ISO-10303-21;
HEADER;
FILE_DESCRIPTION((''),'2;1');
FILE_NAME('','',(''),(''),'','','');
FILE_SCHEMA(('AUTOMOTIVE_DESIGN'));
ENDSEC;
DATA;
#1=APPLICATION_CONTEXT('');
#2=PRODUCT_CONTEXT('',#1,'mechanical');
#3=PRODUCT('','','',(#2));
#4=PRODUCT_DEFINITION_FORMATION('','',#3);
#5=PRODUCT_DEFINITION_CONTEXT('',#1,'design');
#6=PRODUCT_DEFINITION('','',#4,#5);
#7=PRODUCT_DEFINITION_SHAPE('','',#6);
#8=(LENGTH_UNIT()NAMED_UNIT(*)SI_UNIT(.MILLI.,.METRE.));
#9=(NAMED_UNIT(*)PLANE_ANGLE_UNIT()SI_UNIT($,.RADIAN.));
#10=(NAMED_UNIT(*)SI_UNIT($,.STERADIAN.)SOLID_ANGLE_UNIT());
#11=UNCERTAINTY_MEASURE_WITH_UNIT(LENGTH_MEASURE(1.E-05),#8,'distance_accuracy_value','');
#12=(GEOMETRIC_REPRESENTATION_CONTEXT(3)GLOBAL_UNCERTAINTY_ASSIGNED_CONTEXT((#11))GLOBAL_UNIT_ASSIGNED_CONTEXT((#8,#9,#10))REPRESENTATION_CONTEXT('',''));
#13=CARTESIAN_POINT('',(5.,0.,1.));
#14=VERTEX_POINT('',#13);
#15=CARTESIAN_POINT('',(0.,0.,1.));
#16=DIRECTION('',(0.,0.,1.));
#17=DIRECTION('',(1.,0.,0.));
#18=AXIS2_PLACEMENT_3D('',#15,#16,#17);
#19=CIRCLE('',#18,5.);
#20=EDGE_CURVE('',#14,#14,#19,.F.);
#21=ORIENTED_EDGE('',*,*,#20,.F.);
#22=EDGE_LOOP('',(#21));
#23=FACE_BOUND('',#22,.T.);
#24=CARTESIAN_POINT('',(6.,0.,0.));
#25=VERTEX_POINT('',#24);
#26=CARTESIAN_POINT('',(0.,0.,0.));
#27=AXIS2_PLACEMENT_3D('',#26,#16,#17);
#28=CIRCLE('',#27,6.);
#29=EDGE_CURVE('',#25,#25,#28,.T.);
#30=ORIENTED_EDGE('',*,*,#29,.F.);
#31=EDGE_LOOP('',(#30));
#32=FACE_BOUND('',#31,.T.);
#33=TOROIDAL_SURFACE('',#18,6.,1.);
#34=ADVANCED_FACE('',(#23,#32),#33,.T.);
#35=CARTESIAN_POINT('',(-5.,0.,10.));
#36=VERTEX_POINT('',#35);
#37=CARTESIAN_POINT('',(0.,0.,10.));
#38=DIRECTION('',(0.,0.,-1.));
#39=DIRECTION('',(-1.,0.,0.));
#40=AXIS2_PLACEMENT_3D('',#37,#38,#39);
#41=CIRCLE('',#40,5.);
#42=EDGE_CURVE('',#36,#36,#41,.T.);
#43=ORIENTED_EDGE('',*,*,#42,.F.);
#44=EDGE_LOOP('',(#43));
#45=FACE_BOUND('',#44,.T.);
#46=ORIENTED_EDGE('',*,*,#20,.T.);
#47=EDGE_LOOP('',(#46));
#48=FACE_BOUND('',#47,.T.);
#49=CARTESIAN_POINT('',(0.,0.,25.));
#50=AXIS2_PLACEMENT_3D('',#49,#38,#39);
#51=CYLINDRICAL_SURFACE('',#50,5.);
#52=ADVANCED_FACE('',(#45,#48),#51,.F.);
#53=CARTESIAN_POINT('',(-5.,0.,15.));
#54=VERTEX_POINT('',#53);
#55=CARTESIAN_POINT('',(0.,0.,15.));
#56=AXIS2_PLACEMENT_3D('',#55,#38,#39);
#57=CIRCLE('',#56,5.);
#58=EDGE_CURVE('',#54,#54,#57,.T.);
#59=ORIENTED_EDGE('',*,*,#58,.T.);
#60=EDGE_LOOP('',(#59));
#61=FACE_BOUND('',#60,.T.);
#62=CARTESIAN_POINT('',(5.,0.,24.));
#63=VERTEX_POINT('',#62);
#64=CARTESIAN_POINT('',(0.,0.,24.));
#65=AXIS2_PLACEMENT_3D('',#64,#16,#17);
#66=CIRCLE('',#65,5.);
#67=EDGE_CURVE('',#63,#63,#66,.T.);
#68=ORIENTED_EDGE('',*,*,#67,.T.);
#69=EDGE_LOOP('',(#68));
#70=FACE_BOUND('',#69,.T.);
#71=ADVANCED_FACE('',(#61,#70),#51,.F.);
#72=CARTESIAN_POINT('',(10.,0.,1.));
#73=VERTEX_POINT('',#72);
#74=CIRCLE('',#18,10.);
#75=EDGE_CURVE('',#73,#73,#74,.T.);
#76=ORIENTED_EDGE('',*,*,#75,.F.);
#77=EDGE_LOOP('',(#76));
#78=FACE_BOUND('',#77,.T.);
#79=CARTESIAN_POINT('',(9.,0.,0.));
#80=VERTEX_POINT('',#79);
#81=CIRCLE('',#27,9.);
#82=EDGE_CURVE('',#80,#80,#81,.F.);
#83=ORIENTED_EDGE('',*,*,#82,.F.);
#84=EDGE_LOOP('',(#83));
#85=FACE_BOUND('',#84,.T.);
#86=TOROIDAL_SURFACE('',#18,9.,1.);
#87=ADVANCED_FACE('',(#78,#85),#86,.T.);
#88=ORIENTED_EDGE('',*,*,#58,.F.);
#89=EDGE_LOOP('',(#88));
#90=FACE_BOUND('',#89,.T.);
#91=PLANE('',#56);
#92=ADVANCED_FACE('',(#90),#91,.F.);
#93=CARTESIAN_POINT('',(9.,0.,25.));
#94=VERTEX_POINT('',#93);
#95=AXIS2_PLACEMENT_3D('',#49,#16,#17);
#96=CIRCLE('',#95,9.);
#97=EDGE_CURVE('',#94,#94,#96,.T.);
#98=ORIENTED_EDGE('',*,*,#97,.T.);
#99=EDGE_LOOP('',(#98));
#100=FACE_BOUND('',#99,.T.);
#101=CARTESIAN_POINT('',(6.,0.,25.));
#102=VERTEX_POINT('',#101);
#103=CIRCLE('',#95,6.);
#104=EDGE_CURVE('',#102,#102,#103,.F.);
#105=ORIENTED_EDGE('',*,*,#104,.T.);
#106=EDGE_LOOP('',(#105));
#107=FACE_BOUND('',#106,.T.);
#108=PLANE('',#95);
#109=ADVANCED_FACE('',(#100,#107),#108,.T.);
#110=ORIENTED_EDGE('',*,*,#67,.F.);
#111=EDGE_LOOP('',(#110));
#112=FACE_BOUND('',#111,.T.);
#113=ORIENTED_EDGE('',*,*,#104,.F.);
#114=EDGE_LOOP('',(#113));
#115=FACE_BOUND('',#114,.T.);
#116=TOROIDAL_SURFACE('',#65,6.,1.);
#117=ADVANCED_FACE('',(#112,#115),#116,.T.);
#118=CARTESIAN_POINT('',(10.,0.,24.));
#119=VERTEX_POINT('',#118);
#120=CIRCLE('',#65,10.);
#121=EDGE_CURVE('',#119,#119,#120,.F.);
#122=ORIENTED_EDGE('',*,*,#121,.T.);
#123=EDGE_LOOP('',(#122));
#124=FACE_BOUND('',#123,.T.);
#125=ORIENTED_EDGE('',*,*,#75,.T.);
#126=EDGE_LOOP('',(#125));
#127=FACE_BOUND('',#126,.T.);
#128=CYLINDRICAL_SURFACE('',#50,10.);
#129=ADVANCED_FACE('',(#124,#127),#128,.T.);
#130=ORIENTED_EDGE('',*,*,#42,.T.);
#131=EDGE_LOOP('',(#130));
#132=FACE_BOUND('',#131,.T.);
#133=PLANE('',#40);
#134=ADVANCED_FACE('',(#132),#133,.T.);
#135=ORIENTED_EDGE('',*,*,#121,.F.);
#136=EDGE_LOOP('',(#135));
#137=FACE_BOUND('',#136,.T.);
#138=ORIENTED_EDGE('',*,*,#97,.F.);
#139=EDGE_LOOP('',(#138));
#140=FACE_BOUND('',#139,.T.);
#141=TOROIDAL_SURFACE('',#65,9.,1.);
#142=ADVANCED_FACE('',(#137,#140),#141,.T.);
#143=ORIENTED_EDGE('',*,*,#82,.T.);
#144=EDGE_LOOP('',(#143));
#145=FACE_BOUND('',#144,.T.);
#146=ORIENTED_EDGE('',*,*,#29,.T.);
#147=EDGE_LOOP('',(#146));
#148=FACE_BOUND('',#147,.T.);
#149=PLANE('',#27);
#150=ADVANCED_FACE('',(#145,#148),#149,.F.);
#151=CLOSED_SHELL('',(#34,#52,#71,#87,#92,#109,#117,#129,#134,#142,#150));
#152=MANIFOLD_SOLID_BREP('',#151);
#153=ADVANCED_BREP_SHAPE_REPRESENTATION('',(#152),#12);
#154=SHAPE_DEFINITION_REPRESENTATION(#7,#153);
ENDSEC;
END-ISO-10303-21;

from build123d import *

# Parameters (mm, degrees)
SKETCH_1_R      = 10
SKETCH_1_R_2    = 5
EXTRUDE_1_DEPTH = 25
FILLET_1_R      = 1
SKETCH_2_R      = 6.96901779
EXTRUDE_2_DEPTH = 5


with BuildPart() as part:
    # 草图1 → 凸台-拉伸1 (new body)
    with BuildSketch(Plane.XY):
        Circle(SKETCH_1_R)
        Circle(SKETCH_1_R_2, mode=Mode.SUBTRACT)
    extrude(amount=EXTRUDE_1_DEPTH)

    # 圆角1
    fillet_1_edges = [part.edges().sort_by_distance(p)[0] for p in [
        (-10, 0, 0),
        (-10, 0, 25),
        (-5, 0, 0),
        (-5, 0, 25),
    ]]
    fillet(fillet_1_edges, radius=FILLET_1_R)

    # 草图2 → 凸台-拉伸2 (add)
    with BuildSketch(Plane(origin=(0, 0, 10), x_dir=(-1, 0, 0), z_dir=(0, 0, -1))):
        Circle(SKETCH_2_R)
    extrude(amount=-EXTRUDE_2_DEPTH)


solid = part.part
